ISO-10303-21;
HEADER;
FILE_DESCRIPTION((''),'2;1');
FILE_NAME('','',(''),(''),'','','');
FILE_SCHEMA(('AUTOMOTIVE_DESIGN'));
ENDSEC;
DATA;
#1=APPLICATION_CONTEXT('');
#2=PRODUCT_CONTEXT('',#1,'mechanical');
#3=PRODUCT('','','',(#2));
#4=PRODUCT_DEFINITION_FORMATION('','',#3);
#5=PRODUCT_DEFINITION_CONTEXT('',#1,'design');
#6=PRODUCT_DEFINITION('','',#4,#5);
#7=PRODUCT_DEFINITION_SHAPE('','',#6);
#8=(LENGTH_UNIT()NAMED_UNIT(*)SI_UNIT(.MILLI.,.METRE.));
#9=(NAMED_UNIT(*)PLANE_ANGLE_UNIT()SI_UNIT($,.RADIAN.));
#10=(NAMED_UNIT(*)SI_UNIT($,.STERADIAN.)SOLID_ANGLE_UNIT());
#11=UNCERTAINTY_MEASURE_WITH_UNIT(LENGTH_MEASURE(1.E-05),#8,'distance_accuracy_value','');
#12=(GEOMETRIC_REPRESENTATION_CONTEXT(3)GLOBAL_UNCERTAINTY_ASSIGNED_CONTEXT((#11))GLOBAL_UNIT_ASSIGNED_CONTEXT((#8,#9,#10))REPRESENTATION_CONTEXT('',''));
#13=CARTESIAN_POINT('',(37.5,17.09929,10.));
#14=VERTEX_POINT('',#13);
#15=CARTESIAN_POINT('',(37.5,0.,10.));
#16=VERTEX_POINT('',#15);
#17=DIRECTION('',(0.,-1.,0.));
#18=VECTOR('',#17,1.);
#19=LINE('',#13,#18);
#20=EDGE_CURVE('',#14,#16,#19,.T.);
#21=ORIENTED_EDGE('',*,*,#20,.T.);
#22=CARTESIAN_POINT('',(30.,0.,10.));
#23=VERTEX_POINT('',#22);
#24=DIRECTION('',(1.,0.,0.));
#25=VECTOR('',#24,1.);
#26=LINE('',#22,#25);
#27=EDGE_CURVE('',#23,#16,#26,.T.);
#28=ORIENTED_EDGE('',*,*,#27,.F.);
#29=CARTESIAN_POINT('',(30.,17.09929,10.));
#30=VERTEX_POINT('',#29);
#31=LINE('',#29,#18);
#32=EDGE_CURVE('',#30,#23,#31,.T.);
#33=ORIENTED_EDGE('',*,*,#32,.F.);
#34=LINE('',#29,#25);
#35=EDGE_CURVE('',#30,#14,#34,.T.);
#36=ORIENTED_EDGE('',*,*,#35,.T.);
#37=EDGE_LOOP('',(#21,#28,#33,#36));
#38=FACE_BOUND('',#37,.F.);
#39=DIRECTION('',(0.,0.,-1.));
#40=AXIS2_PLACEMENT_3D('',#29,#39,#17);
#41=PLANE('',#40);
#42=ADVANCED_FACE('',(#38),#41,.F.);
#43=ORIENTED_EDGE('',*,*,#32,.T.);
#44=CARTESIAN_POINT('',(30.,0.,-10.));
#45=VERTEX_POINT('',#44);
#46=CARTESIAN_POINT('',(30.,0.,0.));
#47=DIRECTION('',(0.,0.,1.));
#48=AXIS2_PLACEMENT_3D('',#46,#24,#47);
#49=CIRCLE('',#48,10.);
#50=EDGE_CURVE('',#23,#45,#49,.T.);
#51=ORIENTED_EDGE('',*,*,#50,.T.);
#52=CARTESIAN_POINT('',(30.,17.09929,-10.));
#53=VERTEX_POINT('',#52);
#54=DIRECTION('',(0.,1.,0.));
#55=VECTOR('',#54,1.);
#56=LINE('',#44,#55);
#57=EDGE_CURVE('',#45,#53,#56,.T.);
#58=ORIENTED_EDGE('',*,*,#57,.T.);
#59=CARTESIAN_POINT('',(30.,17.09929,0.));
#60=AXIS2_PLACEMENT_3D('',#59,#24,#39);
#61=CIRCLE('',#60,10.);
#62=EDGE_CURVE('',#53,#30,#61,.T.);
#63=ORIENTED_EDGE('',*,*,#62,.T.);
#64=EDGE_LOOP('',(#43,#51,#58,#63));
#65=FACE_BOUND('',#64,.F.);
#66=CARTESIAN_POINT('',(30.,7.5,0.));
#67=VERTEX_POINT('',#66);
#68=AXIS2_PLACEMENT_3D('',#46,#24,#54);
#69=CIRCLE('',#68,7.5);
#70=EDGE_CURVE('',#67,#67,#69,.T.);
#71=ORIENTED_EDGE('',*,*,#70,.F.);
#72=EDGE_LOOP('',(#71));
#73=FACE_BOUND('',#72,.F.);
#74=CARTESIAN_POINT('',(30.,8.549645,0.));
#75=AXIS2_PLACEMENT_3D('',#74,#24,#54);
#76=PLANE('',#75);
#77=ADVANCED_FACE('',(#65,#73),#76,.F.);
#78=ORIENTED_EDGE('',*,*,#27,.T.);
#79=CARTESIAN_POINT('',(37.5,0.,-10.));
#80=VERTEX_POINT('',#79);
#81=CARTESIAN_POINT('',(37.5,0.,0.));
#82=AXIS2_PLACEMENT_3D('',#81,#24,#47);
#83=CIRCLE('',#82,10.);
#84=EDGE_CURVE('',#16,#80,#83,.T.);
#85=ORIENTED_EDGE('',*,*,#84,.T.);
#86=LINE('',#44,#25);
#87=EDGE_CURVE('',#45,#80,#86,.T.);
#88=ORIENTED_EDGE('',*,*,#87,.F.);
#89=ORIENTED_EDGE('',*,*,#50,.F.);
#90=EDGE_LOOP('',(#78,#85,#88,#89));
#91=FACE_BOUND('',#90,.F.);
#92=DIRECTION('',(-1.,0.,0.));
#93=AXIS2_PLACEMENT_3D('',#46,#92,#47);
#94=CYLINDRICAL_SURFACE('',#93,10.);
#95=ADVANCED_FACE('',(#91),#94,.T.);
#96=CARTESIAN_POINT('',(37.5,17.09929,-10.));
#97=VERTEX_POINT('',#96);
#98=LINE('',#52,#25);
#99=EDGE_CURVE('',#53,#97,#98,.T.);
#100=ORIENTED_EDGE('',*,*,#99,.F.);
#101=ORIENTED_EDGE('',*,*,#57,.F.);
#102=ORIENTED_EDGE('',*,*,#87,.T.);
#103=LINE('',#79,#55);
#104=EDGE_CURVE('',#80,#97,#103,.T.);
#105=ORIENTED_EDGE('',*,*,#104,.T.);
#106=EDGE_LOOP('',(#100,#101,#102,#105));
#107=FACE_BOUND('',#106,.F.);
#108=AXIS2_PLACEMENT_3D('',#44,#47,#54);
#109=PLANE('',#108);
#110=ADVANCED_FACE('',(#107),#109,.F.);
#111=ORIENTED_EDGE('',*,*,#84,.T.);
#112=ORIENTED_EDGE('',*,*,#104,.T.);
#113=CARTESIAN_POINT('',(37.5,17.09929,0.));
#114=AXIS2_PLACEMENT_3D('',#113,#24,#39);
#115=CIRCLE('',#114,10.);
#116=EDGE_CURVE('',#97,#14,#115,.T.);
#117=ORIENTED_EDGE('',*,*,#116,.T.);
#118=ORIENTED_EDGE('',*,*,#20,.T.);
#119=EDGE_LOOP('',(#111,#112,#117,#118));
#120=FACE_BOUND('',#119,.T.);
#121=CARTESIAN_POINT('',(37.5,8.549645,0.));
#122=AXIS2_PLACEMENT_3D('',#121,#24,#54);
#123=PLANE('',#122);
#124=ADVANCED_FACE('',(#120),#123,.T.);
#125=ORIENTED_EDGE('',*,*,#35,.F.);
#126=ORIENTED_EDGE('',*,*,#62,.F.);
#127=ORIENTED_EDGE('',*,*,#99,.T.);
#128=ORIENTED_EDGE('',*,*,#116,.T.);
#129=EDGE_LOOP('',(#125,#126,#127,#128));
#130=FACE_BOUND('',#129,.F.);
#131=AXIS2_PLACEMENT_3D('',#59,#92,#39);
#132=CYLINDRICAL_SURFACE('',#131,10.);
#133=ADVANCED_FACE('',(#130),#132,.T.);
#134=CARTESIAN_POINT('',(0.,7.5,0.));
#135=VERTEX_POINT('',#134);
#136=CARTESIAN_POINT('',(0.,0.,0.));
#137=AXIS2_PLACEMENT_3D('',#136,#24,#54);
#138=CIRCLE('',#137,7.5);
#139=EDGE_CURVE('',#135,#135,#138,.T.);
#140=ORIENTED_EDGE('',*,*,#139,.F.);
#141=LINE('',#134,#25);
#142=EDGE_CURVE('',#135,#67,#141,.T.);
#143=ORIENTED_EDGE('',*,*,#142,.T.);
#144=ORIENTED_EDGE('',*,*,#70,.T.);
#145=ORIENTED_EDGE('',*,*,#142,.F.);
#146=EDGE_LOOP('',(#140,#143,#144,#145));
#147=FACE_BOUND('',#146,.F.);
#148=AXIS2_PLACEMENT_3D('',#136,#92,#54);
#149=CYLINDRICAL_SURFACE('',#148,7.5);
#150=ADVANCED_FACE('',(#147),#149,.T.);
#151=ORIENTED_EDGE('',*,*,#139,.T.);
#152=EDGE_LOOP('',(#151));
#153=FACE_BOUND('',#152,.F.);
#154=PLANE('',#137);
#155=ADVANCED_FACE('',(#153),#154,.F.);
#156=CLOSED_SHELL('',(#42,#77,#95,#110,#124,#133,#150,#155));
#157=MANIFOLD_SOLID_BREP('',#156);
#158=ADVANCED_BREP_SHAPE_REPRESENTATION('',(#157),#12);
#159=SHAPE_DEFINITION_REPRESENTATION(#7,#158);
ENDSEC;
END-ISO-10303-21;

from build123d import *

# Parameters (mm, degrees)
F0_R     = 7.5
F1_DEPTH = 30
F3_DEPTH = 7.5


with BuildPart() as f1:
    # F0 (on Right) → F1 (new body)
    with BuildSketch(Plane.YZ):
        Circle(F0_R)
    extrude(amount=F1_DEPTH)

    # F2 (on face) → F3 (join)
    with BuildSketch(Plane.YZ.offset(30)):
        with BuildLine():
            Line((17.09929, 10), (0, 10))
            ThreePointArc((0, 10), (-10, 0), (0, -10))
            Line((0, -10), (17.09929, -10))
            ThreePointArc((17.09929, -10), (27.09929, 0), (17.09929, 10))
        make_face()
    extrude(amount=F3_DEPTH)


solid = f1.part
